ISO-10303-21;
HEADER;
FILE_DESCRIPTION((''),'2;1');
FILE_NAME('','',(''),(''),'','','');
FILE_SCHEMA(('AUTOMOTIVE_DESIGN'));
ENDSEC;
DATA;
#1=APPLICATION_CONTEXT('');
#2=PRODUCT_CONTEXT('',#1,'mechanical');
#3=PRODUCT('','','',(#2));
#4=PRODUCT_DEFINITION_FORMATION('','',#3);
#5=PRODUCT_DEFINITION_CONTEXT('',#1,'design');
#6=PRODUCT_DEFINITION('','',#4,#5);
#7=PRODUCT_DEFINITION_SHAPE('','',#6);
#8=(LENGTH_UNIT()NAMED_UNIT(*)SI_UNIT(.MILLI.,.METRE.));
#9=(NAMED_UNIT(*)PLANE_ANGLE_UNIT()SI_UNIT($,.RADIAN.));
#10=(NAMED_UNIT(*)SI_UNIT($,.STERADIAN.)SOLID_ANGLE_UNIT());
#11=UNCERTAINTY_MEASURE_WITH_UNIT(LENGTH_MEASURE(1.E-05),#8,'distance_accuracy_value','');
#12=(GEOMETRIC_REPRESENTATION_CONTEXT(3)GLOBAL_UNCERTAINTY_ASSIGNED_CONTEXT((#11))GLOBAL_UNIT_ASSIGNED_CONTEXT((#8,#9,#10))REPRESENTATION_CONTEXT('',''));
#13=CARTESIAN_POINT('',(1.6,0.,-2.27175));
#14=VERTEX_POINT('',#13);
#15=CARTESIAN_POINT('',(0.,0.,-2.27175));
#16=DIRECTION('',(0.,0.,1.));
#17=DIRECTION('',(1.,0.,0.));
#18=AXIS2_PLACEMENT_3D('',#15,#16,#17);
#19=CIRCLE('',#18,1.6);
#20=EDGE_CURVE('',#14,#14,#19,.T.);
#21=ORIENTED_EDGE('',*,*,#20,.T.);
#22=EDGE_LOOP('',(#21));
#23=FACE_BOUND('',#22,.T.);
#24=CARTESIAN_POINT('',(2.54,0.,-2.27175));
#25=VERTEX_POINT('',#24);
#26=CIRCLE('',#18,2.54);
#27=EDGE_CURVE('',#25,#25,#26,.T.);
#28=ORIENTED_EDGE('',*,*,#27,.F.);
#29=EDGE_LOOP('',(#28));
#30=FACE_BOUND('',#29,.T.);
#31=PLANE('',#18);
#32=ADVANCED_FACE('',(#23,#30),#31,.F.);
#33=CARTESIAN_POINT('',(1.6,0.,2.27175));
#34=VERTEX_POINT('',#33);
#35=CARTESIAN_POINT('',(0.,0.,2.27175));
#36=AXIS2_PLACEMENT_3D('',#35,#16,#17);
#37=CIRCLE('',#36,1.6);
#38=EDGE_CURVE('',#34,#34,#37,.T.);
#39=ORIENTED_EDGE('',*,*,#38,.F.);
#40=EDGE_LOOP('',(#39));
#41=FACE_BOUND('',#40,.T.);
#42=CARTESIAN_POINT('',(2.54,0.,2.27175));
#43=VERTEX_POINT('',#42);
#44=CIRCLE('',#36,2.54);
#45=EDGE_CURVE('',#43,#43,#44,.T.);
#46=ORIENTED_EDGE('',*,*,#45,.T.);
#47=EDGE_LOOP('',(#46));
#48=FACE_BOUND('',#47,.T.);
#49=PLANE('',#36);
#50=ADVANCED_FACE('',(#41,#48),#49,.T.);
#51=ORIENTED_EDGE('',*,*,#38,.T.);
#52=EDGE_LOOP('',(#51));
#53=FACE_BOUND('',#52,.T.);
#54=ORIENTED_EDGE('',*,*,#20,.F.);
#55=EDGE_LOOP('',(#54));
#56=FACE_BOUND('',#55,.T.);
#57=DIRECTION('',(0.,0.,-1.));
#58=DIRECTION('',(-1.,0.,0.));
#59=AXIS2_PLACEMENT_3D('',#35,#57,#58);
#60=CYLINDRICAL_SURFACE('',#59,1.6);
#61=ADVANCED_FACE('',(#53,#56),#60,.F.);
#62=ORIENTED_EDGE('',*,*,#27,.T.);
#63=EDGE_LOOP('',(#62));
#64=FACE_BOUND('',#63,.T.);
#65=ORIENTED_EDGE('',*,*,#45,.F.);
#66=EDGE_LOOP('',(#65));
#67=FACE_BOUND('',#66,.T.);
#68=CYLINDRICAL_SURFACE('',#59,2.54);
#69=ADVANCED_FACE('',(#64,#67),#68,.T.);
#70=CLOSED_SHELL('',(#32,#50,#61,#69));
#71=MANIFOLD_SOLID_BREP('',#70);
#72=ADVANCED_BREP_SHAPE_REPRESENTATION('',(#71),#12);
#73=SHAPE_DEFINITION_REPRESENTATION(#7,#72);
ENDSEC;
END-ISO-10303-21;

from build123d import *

# Parameters (mm, degrees)
SKETCH1_R           = 2.54
SKETCH1_R_2         = 1.6
BOSS_EXTRUDE1_DEPTH = 2.271749965


with BuildPart() as part:
    # Sketch1 → Boss-Extrude1 (new body, symmetric)
    with BuildSketch(Plane.XY):
        Circle(SKETCH1_R)
        Circle(SKETCH1_R_2, mode=Mode.SUBTRACT)
    extrude(amount=BOSS_EXTRUDE1_DEPTH, both=True)


solid = part.part
